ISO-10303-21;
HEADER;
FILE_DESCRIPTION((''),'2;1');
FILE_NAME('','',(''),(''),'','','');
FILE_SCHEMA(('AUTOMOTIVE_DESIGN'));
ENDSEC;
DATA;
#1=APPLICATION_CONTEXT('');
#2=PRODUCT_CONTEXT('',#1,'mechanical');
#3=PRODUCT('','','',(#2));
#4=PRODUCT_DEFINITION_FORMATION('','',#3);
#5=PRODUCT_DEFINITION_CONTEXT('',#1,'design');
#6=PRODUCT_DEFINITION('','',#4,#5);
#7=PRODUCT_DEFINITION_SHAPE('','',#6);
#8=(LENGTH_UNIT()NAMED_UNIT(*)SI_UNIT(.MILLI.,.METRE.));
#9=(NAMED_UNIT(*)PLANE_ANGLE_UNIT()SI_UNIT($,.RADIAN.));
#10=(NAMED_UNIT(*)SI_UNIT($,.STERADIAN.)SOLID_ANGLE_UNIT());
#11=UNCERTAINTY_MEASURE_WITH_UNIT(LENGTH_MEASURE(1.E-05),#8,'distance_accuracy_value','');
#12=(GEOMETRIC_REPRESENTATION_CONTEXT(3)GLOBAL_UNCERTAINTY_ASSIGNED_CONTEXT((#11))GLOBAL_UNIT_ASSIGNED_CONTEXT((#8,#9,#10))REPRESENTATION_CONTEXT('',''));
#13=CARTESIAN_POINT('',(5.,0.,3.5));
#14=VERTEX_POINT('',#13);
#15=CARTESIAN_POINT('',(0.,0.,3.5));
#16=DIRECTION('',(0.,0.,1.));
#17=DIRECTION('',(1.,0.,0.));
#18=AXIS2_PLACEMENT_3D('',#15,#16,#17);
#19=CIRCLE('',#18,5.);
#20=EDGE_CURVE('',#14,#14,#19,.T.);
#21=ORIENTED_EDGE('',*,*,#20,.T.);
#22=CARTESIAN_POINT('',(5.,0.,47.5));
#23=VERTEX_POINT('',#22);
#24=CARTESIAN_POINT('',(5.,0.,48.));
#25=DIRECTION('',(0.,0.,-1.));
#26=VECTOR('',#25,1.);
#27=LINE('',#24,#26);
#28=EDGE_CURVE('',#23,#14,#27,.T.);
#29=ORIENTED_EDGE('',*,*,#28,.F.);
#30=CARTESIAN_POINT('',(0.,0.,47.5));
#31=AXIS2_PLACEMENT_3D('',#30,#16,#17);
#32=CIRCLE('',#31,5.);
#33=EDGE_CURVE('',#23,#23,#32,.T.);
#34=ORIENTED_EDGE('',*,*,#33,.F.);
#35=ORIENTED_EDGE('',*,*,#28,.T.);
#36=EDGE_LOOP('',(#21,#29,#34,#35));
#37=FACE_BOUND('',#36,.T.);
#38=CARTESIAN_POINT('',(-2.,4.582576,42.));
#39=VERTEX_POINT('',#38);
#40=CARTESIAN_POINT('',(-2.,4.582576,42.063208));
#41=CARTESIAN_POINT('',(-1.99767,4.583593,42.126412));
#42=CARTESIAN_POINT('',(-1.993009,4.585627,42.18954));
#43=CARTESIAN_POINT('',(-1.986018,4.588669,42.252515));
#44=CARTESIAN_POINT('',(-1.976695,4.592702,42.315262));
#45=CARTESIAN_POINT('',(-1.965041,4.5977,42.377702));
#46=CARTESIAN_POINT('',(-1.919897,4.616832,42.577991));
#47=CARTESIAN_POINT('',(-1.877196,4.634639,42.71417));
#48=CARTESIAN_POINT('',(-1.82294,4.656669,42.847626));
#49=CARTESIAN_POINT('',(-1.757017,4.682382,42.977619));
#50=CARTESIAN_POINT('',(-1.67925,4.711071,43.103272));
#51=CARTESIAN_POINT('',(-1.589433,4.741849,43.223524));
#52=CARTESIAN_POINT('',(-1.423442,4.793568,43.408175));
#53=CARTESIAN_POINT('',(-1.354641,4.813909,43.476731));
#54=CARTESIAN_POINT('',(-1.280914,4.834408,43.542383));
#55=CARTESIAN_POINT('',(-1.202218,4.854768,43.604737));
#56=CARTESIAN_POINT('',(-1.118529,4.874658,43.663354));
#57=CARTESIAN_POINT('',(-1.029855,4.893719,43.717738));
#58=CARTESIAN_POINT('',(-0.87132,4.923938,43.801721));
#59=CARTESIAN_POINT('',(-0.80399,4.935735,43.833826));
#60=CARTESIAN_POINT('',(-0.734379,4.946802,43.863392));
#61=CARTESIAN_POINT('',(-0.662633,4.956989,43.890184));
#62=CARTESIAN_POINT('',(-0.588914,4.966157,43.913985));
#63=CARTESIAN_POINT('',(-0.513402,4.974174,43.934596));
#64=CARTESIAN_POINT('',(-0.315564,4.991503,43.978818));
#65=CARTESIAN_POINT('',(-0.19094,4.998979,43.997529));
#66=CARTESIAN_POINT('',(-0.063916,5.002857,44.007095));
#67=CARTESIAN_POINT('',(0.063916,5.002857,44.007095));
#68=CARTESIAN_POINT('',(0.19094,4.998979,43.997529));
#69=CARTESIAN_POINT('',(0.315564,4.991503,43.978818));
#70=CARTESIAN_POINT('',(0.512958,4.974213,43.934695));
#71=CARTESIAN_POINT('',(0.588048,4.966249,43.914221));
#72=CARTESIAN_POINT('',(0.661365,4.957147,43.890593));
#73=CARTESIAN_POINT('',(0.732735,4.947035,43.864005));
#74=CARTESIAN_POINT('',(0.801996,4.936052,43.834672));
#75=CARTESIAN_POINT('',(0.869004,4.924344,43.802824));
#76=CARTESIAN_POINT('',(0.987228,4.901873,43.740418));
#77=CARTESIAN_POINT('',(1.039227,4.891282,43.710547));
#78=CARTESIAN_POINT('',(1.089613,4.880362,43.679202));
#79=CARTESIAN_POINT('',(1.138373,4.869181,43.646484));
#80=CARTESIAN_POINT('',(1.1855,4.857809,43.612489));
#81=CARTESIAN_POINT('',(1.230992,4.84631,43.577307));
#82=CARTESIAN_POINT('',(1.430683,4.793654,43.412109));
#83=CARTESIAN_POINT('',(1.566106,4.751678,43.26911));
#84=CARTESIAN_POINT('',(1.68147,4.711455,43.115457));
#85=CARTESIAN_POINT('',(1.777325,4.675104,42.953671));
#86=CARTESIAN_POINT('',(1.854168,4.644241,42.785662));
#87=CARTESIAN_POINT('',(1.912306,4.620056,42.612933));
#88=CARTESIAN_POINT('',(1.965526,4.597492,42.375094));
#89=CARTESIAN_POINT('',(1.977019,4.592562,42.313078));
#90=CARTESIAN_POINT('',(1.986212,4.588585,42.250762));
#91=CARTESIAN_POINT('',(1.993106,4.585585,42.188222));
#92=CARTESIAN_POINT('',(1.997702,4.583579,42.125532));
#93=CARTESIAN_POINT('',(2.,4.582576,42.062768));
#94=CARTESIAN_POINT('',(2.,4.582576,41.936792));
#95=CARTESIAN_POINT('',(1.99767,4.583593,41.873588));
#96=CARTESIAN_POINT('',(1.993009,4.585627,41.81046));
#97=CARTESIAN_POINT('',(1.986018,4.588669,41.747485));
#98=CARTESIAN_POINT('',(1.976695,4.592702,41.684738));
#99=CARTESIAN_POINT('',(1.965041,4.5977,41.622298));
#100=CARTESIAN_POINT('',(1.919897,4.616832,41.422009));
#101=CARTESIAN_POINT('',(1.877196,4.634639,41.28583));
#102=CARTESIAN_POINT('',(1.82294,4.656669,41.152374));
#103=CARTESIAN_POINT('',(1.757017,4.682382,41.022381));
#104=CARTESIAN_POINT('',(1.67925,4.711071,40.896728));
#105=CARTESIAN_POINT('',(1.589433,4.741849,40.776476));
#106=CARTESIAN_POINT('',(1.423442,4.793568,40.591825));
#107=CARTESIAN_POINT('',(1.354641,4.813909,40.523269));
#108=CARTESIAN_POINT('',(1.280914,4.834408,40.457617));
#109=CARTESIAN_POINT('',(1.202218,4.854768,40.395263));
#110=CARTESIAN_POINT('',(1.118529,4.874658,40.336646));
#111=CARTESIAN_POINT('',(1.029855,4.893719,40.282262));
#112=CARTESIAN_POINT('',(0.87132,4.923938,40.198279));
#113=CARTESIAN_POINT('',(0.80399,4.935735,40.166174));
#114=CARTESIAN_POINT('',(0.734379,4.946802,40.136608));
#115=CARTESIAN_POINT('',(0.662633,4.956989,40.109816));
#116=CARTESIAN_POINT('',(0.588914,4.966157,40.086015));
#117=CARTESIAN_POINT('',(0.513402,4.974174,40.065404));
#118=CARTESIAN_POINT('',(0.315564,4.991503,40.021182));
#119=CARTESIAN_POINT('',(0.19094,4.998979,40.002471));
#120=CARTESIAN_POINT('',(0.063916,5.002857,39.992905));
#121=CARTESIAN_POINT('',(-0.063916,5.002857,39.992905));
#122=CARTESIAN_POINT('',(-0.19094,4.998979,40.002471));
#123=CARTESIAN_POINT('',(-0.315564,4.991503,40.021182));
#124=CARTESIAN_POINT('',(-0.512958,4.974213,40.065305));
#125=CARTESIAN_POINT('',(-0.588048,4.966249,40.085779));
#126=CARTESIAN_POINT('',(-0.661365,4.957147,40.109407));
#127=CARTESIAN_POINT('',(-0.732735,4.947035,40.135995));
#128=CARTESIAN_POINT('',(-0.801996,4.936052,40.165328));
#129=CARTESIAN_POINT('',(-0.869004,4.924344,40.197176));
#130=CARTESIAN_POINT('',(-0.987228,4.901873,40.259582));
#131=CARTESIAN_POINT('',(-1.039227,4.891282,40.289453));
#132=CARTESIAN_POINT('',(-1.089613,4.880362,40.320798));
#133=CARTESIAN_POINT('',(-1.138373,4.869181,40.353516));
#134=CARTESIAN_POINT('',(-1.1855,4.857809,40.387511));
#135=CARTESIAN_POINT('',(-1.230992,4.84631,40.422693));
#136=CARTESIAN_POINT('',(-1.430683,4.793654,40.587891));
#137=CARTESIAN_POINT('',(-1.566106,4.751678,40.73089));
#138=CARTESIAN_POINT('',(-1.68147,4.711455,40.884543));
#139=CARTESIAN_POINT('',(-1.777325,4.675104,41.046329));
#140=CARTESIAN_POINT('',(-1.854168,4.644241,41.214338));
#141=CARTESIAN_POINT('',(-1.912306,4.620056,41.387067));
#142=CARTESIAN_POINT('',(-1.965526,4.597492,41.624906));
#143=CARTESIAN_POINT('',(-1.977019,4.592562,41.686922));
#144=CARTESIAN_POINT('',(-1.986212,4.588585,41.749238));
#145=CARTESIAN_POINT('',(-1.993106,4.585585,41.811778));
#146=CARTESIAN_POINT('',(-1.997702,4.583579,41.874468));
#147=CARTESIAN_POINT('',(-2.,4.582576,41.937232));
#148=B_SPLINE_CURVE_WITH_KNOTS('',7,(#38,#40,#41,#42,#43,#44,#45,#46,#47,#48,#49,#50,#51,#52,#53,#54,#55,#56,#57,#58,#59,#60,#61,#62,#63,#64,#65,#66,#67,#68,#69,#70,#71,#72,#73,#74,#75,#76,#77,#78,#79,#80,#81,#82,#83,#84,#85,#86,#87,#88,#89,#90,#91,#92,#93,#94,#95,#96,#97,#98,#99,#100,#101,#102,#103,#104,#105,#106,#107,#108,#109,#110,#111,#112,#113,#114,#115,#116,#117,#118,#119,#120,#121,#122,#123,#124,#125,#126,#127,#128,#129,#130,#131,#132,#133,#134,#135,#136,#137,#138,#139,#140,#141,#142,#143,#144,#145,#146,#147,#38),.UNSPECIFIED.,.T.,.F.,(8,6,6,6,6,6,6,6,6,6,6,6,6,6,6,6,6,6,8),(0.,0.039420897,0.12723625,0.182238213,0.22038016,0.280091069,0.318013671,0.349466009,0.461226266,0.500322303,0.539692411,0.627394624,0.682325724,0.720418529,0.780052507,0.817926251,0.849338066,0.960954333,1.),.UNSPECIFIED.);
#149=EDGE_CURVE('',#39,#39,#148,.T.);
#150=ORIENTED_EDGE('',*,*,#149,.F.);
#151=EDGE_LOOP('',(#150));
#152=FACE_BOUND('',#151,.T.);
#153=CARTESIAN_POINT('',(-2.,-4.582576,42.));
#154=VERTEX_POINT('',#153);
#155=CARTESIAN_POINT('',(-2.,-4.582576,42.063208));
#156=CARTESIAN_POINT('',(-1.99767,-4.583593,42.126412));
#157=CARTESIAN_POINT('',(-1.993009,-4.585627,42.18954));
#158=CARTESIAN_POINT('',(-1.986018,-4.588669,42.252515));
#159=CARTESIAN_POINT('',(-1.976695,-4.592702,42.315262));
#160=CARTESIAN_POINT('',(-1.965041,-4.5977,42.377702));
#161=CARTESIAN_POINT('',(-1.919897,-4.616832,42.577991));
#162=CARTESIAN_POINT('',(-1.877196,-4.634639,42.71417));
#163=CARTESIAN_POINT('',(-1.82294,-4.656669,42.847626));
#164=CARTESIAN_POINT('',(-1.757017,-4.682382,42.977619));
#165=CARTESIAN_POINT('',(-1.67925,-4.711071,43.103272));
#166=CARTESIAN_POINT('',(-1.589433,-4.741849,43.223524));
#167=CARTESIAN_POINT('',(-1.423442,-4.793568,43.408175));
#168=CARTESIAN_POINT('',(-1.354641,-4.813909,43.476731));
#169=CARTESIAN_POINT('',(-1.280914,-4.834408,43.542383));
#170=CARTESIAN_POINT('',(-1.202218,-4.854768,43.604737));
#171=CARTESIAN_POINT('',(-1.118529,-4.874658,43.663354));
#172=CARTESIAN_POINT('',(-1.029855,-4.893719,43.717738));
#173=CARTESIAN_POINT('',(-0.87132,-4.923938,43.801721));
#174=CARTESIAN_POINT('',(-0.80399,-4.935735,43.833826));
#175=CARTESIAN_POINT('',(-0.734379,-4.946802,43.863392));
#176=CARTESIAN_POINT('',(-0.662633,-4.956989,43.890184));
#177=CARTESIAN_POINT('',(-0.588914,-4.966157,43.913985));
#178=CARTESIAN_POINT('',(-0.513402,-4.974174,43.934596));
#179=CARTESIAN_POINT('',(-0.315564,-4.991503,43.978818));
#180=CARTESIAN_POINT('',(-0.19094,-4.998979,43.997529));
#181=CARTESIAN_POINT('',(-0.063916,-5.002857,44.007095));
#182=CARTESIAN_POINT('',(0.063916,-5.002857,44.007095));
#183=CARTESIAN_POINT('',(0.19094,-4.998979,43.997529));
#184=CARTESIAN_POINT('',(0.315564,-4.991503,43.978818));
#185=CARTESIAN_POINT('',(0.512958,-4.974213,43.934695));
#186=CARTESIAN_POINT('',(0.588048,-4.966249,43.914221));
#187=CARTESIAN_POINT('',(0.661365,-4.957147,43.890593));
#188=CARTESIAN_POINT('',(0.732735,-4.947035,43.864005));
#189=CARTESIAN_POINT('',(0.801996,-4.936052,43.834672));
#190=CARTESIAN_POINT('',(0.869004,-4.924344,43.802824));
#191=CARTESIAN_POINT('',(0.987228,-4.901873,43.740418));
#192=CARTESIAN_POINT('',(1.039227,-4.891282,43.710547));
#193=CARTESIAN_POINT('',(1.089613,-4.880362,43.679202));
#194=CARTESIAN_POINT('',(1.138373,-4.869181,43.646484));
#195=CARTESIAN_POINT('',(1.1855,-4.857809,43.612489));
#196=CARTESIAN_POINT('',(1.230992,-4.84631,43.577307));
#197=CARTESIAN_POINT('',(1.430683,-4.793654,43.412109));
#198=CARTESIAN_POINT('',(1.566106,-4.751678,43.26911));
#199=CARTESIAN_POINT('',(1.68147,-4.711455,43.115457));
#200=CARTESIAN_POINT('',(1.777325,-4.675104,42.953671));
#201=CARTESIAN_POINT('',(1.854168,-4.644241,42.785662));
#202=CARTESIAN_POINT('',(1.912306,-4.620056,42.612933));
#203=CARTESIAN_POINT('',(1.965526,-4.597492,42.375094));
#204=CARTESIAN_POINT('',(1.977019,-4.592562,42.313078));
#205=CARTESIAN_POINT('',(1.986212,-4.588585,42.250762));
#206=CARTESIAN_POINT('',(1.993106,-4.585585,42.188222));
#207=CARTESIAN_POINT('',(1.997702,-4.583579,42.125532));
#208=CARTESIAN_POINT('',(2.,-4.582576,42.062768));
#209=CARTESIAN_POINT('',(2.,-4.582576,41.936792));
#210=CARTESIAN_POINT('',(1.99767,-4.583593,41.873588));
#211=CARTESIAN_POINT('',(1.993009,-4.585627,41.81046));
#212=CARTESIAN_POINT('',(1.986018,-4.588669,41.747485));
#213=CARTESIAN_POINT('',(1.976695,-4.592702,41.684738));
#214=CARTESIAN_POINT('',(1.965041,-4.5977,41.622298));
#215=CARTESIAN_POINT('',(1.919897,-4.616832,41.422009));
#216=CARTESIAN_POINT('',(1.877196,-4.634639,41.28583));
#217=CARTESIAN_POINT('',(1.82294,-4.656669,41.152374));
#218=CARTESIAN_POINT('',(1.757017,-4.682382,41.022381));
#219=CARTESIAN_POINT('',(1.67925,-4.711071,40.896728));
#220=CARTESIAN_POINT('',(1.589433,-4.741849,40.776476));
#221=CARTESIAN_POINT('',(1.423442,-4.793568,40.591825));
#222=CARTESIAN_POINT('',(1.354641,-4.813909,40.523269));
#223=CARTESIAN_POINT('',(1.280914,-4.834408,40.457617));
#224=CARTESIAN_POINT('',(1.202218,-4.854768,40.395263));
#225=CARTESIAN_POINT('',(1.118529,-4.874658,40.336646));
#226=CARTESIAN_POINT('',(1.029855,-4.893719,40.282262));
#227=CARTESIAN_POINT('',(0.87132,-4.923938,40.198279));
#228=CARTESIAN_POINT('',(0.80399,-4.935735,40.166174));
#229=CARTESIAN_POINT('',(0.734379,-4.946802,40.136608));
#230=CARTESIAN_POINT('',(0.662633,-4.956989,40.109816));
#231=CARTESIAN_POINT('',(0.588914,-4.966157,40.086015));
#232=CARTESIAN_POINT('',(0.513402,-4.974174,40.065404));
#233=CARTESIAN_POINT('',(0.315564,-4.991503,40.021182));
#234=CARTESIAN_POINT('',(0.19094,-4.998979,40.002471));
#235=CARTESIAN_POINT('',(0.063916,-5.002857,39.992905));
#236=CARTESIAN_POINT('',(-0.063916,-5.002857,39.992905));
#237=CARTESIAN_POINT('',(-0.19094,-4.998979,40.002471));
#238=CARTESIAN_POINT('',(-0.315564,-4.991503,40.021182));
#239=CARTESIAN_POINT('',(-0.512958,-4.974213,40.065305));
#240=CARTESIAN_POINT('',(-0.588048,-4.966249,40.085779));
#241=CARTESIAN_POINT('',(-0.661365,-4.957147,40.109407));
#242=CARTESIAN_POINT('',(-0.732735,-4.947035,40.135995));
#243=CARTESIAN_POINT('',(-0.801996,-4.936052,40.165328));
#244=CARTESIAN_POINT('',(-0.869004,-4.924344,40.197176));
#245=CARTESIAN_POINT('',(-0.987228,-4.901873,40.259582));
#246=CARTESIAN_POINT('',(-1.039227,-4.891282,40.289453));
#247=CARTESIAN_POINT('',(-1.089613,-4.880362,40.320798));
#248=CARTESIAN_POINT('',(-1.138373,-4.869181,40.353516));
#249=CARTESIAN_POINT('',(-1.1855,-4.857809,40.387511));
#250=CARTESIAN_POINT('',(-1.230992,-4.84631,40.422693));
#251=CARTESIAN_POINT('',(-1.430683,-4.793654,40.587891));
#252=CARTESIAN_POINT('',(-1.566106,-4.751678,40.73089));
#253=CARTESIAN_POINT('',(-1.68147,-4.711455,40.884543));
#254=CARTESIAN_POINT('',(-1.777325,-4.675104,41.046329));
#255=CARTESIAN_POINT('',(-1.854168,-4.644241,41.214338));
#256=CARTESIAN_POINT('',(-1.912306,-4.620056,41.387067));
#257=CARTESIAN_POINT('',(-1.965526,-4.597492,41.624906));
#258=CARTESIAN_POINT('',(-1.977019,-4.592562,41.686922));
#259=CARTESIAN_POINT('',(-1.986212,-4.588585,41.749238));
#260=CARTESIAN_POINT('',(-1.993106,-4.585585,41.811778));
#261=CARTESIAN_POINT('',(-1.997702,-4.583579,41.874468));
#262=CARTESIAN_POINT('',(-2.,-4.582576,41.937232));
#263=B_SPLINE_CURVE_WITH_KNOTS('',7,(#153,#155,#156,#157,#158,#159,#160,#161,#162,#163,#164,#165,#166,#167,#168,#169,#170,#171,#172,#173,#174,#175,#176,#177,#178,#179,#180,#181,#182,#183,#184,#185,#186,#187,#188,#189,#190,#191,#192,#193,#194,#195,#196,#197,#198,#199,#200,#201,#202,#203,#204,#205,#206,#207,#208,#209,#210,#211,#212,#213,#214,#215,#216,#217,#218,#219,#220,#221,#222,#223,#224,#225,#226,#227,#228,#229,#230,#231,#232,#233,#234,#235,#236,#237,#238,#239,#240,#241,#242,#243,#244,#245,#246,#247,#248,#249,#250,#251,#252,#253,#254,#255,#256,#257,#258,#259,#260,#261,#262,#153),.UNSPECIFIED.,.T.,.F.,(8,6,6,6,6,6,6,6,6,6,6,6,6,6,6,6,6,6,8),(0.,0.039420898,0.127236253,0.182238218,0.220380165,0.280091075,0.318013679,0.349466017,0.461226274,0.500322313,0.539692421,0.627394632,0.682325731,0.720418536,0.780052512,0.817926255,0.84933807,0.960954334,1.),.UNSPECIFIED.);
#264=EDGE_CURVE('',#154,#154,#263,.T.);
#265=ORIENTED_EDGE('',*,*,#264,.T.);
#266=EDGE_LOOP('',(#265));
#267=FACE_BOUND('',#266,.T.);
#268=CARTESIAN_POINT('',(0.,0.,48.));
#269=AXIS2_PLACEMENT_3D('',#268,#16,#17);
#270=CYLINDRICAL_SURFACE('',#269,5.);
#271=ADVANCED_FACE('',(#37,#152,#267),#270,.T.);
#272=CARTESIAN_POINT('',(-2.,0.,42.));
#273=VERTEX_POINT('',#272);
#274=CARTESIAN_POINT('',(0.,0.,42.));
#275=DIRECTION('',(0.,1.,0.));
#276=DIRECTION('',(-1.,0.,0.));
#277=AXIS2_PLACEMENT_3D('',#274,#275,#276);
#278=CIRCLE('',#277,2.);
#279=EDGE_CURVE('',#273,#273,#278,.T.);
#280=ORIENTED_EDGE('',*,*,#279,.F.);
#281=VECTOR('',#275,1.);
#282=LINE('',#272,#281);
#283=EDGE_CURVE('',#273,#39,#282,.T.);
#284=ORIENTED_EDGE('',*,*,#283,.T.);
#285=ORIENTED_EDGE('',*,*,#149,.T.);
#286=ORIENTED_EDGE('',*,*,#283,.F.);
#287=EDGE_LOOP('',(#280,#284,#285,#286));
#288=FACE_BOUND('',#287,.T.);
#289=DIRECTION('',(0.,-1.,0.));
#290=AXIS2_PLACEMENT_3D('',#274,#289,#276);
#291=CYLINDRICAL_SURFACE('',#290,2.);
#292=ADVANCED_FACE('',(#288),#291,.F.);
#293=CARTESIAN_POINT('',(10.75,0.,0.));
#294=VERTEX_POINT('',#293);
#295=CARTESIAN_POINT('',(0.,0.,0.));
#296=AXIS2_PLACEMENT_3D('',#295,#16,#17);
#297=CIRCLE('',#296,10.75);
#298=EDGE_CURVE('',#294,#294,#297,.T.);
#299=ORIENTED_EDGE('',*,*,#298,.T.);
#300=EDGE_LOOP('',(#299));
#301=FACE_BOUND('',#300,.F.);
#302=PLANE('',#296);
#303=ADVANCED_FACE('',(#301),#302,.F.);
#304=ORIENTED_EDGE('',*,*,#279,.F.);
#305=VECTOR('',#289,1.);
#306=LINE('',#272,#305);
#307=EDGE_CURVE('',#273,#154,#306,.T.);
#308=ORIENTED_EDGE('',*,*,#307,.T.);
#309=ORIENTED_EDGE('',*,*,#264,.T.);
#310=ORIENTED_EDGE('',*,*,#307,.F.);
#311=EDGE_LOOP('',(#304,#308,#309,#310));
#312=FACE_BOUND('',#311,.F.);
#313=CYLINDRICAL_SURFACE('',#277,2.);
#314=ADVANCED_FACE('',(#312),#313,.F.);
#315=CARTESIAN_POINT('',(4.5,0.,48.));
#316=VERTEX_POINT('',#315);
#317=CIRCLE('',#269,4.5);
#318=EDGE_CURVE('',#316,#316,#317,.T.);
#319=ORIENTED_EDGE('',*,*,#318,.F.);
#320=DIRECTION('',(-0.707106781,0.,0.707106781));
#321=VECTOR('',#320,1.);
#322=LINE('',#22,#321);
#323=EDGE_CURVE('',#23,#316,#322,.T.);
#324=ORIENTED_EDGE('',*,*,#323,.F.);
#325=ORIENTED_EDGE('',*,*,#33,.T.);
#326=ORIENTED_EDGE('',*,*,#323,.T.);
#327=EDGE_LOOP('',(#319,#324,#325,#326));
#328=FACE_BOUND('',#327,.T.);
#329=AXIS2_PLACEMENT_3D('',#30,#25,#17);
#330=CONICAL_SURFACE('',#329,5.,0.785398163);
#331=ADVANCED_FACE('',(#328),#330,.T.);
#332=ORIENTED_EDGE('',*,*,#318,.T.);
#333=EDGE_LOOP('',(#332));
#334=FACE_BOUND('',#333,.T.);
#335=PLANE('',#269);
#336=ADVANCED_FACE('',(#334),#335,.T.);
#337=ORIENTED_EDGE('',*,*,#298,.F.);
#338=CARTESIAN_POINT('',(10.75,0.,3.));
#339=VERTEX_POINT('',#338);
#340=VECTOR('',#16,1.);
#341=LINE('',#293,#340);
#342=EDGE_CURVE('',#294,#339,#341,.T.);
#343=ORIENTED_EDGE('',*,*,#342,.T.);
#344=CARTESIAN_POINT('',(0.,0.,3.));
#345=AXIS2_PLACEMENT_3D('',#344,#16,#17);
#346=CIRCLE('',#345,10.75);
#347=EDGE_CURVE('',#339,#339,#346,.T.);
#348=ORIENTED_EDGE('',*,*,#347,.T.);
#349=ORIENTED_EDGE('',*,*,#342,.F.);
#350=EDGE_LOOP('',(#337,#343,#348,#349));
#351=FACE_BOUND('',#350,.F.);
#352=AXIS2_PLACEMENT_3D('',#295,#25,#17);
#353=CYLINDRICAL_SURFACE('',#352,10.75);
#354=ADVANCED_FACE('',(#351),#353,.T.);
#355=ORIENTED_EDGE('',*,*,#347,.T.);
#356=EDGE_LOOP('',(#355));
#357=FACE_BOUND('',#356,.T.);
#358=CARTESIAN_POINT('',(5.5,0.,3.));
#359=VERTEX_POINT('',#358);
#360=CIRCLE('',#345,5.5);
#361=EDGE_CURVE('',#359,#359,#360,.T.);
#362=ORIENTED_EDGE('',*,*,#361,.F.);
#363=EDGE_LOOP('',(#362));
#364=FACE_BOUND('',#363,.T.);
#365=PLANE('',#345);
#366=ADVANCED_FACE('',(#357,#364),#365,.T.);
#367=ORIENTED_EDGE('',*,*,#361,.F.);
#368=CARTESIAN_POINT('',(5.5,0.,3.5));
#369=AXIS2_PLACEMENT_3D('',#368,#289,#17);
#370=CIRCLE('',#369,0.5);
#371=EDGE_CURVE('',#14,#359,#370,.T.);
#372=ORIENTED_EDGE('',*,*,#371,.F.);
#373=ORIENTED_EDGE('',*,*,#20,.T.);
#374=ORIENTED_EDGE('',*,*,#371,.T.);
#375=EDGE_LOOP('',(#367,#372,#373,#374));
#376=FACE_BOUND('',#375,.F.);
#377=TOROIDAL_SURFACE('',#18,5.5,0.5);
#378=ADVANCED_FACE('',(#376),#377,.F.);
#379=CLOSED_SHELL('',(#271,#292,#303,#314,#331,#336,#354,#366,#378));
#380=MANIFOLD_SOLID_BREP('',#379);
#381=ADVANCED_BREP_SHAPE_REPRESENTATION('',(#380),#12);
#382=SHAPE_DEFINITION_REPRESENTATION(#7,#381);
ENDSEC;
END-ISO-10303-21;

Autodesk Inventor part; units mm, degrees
ref_plane "YZ Plane" through (0, 0, 0) normal (1, 0, 0) x (0, 1, 0)
ref_plane "XZ Plane" through (0, 0, 0) normal (0, 1, 0) x (-1, 0, 0)
ref_plane "XY Plane" through (0, 0, 0) normal (0, 0, 1) x (1, 0, 0)
sketch "Sketch1" plane through (0, 0, 0) normal (0, 0, 1) x (1, 0, 0)
  circle A0 centre (0, 0) radius 10.75
  dimension "d0" = 21.5
extrude "Extrusion1" add sketch "Sketch1" along normal blind 48
sketch "Sketch2" plane through (0, 0, 48) normal (0, 0, 1) x (1, 0, 0)
  circle A0 centre (0, 0) radius 10.75 projected
  circle A1 centre (0, 0) radius 5
  dimension "d3" = 10
extrude "Extrusion2" cut sketch "Sketch2" against normal blind 45
chamfer "Chamfer1" distance 0.5 angle 45 1 edges at (-5, 0, 48)
fillet "Fillet1" radius 0.5 1 edges at (-5, 0, 3)
sketch "Sketch3" plane through (0, 0, 0) normal (0, 1, 0) x (-1, 0, 0)
  line L0 (-4.5, 48) -> (4.5, 48) projected
  line L1 (5, 47.5) -> (-5, 47.5) projected
  line L2 (-5, 3.5) -> (5, 3.5) projected
  circle A0 centre (0, 42) radius 2
  point P0 (0, 0)
  dimension "d10" = 4
  dimension "d11" = 6
extrude "Extrusion3" cut sketch "Sketch3" along normal mid plane 15
properties part number "EIXO DAS ENGRENAGENS(11)" material "Carbon Steel"
